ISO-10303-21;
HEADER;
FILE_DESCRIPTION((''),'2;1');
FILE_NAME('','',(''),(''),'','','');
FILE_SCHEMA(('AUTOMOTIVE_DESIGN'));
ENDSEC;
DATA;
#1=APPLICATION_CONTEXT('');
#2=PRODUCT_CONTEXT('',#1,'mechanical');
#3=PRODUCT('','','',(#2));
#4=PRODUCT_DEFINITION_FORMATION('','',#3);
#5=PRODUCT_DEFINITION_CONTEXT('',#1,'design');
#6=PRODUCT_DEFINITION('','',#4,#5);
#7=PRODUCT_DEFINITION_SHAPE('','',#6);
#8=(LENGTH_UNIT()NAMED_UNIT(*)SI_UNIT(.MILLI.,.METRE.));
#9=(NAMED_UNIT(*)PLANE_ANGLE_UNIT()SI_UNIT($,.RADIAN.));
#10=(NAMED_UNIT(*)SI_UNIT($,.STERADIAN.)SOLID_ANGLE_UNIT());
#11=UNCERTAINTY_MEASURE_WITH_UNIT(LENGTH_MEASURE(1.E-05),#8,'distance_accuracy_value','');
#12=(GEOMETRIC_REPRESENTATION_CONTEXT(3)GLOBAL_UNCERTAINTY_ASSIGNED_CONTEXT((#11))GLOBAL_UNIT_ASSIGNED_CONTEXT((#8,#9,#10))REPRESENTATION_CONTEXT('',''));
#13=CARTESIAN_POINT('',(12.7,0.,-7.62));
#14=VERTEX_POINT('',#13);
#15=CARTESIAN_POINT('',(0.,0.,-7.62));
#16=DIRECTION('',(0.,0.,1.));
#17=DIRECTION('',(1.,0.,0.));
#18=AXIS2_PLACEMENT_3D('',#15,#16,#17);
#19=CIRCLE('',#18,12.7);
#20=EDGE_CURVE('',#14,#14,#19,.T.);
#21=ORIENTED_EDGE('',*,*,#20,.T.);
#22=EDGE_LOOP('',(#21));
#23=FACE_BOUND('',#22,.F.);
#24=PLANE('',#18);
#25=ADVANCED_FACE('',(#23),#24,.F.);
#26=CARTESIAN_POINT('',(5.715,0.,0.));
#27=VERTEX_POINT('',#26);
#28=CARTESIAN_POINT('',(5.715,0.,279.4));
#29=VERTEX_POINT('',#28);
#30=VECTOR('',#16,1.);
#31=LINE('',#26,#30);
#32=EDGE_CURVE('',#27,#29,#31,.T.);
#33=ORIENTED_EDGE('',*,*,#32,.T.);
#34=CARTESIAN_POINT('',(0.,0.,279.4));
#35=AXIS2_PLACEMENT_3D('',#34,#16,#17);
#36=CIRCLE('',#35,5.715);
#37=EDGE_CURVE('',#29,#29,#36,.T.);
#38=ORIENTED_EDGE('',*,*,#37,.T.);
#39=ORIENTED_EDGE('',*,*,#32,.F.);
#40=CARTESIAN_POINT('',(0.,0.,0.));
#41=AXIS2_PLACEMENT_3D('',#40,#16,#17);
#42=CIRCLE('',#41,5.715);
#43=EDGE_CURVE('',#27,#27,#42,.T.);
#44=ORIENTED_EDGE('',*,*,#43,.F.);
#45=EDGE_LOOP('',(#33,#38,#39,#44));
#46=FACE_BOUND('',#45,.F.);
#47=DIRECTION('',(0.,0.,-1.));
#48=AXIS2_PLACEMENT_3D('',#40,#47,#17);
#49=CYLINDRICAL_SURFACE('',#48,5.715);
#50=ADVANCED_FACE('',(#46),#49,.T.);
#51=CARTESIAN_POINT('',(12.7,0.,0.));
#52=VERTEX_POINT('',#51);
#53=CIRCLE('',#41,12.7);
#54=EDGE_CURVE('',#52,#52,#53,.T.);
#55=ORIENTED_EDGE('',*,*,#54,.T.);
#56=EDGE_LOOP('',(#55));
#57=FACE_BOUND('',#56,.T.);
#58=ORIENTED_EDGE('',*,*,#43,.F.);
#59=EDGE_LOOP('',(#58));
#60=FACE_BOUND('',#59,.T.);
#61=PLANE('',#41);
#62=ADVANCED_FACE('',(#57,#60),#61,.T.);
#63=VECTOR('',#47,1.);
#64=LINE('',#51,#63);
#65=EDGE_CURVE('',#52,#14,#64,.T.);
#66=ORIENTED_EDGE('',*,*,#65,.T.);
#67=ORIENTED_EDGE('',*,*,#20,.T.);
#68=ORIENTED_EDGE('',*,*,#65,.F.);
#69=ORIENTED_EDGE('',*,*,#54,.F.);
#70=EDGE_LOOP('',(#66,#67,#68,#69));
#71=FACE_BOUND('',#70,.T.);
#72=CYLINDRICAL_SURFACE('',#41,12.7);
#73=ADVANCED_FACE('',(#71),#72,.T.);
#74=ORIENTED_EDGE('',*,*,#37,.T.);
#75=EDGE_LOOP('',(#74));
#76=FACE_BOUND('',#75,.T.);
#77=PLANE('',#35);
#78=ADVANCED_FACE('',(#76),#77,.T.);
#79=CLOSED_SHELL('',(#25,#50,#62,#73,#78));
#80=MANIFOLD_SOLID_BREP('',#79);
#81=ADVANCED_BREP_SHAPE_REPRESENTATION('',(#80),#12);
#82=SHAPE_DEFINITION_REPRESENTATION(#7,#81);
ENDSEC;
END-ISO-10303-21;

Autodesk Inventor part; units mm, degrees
ref_plane "YZ Plane" through (0, 0, 0) normal (1, 0, 0) x (0, 1, 0)
ref_plane "XZ Plane" through (0, 0, 0) normal (0, 1, 0) x (-1, 0, 0)
ref_plane "XY Plane" through (0, 0, 0) normal (0, 0, 1) x (1, 0, 0)
sketch "Sketch1" plane through (0, 0, 0) normal (0, 0, 1) x (1, 0, 0)
  circle A0 centre (0, 0) radius 5.715
  dimension "d0" = 11.43
extrude "Extrusion1" add sketch "Sketch1" along normal blind 279.4
sketch "Sketch2" plane through (0, 0, 0) normal (0, 0, 1) x (1, 0, 0)
  circle A0 centre (0, 0) radius 12.7
  dimension "d3" = 25.4
extrude "Extrusion2" add sketch "Sketch2" against normal blind 7.62
thread "Thread1" size "1/2-13 UNC" class "2A" standard "ANSI Unified Screw Threads" full length
properties part number "Screw"
